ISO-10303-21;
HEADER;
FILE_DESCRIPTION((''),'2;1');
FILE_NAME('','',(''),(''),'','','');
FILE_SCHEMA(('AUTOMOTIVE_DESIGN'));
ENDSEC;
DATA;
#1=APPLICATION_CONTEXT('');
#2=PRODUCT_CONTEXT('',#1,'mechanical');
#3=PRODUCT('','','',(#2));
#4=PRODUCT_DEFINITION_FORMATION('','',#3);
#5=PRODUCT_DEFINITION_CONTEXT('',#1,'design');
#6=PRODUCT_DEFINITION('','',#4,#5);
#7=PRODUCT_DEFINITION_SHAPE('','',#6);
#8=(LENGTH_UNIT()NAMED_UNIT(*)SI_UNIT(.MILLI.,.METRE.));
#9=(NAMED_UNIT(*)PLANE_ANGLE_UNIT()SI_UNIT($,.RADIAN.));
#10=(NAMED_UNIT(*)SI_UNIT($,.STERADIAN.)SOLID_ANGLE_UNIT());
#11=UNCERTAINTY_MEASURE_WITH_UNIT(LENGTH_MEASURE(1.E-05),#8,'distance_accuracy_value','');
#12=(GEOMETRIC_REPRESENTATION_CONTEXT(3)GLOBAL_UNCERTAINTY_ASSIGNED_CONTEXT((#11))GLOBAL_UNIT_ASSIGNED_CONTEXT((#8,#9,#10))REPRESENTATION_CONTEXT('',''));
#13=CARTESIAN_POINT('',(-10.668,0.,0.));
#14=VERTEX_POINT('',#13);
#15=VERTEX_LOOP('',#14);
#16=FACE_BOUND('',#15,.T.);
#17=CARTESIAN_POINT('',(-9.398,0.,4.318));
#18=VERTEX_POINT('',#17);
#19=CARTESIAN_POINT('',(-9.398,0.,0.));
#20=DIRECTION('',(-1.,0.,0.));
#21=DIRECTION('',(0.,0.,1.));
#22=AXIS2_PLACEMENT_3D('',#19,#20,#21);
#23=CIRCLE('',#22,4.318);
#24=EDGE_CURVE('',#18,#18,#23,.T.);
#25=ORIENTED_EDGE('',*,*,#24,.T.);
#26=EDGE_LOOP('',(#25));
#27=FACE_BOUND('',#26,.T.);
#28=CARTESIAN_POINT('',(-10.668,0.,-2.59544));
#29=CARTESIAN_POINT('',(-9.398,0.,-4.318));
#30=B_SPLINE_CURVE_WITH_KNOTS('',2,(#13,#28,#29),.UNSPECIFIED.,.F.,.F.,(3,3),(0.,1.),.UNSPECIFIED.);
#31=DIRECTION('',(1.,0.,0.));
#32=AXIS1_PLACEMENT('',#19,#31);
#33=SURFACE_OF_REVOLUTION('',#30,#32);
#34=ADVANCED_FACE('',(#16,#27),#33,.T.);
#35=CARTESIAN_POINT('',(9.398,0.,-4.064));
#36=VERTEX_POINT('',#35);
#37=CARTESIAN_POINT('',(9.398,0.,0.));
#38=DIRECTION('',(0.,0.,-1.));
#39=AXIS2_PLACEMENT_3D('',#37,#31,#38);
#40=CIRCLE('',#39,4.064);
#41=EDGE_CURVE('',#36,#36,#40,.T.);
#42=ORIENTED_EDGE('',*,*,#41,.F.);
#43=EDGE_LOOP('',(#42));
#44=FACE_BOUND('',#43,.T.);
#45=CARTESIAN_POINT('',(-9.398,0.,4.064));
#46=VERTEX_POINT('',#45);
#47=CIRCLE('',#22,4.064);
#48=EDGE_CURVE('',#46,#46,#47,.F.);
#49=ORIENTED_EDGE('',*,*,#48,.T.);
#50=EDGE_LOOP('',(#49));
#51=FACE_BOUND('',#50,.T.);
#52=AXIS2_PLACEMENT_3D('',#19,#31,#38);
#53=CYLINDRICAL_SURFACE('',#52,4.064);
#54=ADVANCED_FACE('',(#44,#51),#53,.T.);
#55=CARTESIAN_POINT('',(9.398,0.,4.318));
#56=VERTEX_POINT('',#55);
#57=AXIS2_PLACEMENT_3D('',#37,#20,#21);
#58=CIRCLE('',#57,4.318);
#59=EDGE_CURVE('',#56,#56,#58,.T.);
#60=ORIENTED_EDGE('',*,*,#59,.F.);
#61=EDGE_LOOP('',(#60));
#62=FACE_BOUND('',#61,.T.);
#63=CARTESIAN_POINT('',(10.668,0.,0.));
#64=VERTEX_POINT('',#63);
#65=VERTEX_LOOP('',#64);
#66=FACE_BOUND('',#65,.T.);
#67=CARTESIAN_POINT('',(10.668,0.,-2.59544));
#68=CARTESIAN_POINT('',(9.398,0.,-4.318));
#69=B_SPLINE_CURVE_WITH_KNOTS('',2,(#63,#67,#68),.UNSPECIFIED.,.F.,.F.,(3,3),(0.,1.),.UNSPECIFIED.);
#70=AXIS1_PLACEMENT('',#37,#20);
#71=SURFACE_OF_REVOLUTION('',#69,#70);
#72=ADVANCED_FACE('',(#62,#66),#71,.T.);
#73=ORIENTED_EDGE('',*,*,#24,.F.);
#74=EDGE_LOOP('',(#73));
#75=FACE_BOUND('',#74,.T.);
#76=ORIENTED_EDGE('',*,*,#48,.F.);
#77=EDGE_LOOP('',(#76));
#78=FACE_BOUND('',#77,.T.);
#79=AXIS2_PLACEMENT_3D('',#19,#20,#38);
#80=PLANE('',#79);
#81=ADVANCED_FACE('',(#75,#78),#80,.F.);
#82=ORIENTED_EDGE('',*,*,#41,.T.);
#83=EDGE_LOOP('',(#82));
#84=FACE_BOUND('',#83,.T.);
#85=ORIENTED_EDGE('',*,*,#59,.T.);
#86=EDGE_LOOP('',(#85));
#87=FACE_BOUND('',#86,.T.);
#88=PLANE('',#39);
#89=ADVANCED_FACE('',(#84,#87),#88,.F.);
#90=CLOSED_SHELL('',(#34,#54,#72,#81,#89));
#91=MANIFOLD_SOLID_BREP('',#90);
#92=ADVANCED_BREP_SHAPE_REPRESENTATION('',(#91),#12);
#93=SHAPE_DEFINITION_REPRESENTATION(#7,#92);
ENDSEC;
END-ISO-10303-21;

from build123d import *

# Parameters (mm, degrees)
BOSS_EXTRUDE1_DEPTH      = 9.398
BOSS_EXTRUDE1_DEPTH_BACK = 9.398
SKETCH1_R                = 4.064


with BuildPart() as part:
    # Sketch1 → Boss-Extrude1 (new, two sides: drawn at the far end of the back side and taken through both)
    with BuildSketch(Plane(origin=(0, 0, 0), x_dir=(0, 0, -1), z_dir=(1, 0, 0)).offset(-BOSS_EXTRUDE1_DEPTH_BACK)):
        Circle(SKETCH1_R)
    extrude(amount=BOSS_EXTRUDE1_DEPTH + BOSS_EXTRUDE1_DEPTH_BACK)

    # Sketch5 → Revolve1 (revolve)
    with BuildSketch(Plane(origin=(0, 0, 0), x_dir=(1, 0, 0), z_dir=(0, 1, 0))):
        with BuildLine():
            Line((9.398, 0), (9.398, 4.318))
            add(Edge.make_bspline(
                [(9.398, 4.318), (10.668, 2.595439575), (10.668, 0)],
                knots=[0, 0, 0, 1, 1, 1], degree=2))
            Line((10.668, 0), (9.398, 0))
        make_face()
    revolve1 = revolve(axis=Axis((9.398, 0, 0), (1, 0, 0)))

    # Mirror1: Revolve1 across plane
    add(revolve1.mirror(Plane(origin=(0, 0, 0), x_dir=(0, 0, 1), z_dir=(1, 0, 0))))


solid = part.part
